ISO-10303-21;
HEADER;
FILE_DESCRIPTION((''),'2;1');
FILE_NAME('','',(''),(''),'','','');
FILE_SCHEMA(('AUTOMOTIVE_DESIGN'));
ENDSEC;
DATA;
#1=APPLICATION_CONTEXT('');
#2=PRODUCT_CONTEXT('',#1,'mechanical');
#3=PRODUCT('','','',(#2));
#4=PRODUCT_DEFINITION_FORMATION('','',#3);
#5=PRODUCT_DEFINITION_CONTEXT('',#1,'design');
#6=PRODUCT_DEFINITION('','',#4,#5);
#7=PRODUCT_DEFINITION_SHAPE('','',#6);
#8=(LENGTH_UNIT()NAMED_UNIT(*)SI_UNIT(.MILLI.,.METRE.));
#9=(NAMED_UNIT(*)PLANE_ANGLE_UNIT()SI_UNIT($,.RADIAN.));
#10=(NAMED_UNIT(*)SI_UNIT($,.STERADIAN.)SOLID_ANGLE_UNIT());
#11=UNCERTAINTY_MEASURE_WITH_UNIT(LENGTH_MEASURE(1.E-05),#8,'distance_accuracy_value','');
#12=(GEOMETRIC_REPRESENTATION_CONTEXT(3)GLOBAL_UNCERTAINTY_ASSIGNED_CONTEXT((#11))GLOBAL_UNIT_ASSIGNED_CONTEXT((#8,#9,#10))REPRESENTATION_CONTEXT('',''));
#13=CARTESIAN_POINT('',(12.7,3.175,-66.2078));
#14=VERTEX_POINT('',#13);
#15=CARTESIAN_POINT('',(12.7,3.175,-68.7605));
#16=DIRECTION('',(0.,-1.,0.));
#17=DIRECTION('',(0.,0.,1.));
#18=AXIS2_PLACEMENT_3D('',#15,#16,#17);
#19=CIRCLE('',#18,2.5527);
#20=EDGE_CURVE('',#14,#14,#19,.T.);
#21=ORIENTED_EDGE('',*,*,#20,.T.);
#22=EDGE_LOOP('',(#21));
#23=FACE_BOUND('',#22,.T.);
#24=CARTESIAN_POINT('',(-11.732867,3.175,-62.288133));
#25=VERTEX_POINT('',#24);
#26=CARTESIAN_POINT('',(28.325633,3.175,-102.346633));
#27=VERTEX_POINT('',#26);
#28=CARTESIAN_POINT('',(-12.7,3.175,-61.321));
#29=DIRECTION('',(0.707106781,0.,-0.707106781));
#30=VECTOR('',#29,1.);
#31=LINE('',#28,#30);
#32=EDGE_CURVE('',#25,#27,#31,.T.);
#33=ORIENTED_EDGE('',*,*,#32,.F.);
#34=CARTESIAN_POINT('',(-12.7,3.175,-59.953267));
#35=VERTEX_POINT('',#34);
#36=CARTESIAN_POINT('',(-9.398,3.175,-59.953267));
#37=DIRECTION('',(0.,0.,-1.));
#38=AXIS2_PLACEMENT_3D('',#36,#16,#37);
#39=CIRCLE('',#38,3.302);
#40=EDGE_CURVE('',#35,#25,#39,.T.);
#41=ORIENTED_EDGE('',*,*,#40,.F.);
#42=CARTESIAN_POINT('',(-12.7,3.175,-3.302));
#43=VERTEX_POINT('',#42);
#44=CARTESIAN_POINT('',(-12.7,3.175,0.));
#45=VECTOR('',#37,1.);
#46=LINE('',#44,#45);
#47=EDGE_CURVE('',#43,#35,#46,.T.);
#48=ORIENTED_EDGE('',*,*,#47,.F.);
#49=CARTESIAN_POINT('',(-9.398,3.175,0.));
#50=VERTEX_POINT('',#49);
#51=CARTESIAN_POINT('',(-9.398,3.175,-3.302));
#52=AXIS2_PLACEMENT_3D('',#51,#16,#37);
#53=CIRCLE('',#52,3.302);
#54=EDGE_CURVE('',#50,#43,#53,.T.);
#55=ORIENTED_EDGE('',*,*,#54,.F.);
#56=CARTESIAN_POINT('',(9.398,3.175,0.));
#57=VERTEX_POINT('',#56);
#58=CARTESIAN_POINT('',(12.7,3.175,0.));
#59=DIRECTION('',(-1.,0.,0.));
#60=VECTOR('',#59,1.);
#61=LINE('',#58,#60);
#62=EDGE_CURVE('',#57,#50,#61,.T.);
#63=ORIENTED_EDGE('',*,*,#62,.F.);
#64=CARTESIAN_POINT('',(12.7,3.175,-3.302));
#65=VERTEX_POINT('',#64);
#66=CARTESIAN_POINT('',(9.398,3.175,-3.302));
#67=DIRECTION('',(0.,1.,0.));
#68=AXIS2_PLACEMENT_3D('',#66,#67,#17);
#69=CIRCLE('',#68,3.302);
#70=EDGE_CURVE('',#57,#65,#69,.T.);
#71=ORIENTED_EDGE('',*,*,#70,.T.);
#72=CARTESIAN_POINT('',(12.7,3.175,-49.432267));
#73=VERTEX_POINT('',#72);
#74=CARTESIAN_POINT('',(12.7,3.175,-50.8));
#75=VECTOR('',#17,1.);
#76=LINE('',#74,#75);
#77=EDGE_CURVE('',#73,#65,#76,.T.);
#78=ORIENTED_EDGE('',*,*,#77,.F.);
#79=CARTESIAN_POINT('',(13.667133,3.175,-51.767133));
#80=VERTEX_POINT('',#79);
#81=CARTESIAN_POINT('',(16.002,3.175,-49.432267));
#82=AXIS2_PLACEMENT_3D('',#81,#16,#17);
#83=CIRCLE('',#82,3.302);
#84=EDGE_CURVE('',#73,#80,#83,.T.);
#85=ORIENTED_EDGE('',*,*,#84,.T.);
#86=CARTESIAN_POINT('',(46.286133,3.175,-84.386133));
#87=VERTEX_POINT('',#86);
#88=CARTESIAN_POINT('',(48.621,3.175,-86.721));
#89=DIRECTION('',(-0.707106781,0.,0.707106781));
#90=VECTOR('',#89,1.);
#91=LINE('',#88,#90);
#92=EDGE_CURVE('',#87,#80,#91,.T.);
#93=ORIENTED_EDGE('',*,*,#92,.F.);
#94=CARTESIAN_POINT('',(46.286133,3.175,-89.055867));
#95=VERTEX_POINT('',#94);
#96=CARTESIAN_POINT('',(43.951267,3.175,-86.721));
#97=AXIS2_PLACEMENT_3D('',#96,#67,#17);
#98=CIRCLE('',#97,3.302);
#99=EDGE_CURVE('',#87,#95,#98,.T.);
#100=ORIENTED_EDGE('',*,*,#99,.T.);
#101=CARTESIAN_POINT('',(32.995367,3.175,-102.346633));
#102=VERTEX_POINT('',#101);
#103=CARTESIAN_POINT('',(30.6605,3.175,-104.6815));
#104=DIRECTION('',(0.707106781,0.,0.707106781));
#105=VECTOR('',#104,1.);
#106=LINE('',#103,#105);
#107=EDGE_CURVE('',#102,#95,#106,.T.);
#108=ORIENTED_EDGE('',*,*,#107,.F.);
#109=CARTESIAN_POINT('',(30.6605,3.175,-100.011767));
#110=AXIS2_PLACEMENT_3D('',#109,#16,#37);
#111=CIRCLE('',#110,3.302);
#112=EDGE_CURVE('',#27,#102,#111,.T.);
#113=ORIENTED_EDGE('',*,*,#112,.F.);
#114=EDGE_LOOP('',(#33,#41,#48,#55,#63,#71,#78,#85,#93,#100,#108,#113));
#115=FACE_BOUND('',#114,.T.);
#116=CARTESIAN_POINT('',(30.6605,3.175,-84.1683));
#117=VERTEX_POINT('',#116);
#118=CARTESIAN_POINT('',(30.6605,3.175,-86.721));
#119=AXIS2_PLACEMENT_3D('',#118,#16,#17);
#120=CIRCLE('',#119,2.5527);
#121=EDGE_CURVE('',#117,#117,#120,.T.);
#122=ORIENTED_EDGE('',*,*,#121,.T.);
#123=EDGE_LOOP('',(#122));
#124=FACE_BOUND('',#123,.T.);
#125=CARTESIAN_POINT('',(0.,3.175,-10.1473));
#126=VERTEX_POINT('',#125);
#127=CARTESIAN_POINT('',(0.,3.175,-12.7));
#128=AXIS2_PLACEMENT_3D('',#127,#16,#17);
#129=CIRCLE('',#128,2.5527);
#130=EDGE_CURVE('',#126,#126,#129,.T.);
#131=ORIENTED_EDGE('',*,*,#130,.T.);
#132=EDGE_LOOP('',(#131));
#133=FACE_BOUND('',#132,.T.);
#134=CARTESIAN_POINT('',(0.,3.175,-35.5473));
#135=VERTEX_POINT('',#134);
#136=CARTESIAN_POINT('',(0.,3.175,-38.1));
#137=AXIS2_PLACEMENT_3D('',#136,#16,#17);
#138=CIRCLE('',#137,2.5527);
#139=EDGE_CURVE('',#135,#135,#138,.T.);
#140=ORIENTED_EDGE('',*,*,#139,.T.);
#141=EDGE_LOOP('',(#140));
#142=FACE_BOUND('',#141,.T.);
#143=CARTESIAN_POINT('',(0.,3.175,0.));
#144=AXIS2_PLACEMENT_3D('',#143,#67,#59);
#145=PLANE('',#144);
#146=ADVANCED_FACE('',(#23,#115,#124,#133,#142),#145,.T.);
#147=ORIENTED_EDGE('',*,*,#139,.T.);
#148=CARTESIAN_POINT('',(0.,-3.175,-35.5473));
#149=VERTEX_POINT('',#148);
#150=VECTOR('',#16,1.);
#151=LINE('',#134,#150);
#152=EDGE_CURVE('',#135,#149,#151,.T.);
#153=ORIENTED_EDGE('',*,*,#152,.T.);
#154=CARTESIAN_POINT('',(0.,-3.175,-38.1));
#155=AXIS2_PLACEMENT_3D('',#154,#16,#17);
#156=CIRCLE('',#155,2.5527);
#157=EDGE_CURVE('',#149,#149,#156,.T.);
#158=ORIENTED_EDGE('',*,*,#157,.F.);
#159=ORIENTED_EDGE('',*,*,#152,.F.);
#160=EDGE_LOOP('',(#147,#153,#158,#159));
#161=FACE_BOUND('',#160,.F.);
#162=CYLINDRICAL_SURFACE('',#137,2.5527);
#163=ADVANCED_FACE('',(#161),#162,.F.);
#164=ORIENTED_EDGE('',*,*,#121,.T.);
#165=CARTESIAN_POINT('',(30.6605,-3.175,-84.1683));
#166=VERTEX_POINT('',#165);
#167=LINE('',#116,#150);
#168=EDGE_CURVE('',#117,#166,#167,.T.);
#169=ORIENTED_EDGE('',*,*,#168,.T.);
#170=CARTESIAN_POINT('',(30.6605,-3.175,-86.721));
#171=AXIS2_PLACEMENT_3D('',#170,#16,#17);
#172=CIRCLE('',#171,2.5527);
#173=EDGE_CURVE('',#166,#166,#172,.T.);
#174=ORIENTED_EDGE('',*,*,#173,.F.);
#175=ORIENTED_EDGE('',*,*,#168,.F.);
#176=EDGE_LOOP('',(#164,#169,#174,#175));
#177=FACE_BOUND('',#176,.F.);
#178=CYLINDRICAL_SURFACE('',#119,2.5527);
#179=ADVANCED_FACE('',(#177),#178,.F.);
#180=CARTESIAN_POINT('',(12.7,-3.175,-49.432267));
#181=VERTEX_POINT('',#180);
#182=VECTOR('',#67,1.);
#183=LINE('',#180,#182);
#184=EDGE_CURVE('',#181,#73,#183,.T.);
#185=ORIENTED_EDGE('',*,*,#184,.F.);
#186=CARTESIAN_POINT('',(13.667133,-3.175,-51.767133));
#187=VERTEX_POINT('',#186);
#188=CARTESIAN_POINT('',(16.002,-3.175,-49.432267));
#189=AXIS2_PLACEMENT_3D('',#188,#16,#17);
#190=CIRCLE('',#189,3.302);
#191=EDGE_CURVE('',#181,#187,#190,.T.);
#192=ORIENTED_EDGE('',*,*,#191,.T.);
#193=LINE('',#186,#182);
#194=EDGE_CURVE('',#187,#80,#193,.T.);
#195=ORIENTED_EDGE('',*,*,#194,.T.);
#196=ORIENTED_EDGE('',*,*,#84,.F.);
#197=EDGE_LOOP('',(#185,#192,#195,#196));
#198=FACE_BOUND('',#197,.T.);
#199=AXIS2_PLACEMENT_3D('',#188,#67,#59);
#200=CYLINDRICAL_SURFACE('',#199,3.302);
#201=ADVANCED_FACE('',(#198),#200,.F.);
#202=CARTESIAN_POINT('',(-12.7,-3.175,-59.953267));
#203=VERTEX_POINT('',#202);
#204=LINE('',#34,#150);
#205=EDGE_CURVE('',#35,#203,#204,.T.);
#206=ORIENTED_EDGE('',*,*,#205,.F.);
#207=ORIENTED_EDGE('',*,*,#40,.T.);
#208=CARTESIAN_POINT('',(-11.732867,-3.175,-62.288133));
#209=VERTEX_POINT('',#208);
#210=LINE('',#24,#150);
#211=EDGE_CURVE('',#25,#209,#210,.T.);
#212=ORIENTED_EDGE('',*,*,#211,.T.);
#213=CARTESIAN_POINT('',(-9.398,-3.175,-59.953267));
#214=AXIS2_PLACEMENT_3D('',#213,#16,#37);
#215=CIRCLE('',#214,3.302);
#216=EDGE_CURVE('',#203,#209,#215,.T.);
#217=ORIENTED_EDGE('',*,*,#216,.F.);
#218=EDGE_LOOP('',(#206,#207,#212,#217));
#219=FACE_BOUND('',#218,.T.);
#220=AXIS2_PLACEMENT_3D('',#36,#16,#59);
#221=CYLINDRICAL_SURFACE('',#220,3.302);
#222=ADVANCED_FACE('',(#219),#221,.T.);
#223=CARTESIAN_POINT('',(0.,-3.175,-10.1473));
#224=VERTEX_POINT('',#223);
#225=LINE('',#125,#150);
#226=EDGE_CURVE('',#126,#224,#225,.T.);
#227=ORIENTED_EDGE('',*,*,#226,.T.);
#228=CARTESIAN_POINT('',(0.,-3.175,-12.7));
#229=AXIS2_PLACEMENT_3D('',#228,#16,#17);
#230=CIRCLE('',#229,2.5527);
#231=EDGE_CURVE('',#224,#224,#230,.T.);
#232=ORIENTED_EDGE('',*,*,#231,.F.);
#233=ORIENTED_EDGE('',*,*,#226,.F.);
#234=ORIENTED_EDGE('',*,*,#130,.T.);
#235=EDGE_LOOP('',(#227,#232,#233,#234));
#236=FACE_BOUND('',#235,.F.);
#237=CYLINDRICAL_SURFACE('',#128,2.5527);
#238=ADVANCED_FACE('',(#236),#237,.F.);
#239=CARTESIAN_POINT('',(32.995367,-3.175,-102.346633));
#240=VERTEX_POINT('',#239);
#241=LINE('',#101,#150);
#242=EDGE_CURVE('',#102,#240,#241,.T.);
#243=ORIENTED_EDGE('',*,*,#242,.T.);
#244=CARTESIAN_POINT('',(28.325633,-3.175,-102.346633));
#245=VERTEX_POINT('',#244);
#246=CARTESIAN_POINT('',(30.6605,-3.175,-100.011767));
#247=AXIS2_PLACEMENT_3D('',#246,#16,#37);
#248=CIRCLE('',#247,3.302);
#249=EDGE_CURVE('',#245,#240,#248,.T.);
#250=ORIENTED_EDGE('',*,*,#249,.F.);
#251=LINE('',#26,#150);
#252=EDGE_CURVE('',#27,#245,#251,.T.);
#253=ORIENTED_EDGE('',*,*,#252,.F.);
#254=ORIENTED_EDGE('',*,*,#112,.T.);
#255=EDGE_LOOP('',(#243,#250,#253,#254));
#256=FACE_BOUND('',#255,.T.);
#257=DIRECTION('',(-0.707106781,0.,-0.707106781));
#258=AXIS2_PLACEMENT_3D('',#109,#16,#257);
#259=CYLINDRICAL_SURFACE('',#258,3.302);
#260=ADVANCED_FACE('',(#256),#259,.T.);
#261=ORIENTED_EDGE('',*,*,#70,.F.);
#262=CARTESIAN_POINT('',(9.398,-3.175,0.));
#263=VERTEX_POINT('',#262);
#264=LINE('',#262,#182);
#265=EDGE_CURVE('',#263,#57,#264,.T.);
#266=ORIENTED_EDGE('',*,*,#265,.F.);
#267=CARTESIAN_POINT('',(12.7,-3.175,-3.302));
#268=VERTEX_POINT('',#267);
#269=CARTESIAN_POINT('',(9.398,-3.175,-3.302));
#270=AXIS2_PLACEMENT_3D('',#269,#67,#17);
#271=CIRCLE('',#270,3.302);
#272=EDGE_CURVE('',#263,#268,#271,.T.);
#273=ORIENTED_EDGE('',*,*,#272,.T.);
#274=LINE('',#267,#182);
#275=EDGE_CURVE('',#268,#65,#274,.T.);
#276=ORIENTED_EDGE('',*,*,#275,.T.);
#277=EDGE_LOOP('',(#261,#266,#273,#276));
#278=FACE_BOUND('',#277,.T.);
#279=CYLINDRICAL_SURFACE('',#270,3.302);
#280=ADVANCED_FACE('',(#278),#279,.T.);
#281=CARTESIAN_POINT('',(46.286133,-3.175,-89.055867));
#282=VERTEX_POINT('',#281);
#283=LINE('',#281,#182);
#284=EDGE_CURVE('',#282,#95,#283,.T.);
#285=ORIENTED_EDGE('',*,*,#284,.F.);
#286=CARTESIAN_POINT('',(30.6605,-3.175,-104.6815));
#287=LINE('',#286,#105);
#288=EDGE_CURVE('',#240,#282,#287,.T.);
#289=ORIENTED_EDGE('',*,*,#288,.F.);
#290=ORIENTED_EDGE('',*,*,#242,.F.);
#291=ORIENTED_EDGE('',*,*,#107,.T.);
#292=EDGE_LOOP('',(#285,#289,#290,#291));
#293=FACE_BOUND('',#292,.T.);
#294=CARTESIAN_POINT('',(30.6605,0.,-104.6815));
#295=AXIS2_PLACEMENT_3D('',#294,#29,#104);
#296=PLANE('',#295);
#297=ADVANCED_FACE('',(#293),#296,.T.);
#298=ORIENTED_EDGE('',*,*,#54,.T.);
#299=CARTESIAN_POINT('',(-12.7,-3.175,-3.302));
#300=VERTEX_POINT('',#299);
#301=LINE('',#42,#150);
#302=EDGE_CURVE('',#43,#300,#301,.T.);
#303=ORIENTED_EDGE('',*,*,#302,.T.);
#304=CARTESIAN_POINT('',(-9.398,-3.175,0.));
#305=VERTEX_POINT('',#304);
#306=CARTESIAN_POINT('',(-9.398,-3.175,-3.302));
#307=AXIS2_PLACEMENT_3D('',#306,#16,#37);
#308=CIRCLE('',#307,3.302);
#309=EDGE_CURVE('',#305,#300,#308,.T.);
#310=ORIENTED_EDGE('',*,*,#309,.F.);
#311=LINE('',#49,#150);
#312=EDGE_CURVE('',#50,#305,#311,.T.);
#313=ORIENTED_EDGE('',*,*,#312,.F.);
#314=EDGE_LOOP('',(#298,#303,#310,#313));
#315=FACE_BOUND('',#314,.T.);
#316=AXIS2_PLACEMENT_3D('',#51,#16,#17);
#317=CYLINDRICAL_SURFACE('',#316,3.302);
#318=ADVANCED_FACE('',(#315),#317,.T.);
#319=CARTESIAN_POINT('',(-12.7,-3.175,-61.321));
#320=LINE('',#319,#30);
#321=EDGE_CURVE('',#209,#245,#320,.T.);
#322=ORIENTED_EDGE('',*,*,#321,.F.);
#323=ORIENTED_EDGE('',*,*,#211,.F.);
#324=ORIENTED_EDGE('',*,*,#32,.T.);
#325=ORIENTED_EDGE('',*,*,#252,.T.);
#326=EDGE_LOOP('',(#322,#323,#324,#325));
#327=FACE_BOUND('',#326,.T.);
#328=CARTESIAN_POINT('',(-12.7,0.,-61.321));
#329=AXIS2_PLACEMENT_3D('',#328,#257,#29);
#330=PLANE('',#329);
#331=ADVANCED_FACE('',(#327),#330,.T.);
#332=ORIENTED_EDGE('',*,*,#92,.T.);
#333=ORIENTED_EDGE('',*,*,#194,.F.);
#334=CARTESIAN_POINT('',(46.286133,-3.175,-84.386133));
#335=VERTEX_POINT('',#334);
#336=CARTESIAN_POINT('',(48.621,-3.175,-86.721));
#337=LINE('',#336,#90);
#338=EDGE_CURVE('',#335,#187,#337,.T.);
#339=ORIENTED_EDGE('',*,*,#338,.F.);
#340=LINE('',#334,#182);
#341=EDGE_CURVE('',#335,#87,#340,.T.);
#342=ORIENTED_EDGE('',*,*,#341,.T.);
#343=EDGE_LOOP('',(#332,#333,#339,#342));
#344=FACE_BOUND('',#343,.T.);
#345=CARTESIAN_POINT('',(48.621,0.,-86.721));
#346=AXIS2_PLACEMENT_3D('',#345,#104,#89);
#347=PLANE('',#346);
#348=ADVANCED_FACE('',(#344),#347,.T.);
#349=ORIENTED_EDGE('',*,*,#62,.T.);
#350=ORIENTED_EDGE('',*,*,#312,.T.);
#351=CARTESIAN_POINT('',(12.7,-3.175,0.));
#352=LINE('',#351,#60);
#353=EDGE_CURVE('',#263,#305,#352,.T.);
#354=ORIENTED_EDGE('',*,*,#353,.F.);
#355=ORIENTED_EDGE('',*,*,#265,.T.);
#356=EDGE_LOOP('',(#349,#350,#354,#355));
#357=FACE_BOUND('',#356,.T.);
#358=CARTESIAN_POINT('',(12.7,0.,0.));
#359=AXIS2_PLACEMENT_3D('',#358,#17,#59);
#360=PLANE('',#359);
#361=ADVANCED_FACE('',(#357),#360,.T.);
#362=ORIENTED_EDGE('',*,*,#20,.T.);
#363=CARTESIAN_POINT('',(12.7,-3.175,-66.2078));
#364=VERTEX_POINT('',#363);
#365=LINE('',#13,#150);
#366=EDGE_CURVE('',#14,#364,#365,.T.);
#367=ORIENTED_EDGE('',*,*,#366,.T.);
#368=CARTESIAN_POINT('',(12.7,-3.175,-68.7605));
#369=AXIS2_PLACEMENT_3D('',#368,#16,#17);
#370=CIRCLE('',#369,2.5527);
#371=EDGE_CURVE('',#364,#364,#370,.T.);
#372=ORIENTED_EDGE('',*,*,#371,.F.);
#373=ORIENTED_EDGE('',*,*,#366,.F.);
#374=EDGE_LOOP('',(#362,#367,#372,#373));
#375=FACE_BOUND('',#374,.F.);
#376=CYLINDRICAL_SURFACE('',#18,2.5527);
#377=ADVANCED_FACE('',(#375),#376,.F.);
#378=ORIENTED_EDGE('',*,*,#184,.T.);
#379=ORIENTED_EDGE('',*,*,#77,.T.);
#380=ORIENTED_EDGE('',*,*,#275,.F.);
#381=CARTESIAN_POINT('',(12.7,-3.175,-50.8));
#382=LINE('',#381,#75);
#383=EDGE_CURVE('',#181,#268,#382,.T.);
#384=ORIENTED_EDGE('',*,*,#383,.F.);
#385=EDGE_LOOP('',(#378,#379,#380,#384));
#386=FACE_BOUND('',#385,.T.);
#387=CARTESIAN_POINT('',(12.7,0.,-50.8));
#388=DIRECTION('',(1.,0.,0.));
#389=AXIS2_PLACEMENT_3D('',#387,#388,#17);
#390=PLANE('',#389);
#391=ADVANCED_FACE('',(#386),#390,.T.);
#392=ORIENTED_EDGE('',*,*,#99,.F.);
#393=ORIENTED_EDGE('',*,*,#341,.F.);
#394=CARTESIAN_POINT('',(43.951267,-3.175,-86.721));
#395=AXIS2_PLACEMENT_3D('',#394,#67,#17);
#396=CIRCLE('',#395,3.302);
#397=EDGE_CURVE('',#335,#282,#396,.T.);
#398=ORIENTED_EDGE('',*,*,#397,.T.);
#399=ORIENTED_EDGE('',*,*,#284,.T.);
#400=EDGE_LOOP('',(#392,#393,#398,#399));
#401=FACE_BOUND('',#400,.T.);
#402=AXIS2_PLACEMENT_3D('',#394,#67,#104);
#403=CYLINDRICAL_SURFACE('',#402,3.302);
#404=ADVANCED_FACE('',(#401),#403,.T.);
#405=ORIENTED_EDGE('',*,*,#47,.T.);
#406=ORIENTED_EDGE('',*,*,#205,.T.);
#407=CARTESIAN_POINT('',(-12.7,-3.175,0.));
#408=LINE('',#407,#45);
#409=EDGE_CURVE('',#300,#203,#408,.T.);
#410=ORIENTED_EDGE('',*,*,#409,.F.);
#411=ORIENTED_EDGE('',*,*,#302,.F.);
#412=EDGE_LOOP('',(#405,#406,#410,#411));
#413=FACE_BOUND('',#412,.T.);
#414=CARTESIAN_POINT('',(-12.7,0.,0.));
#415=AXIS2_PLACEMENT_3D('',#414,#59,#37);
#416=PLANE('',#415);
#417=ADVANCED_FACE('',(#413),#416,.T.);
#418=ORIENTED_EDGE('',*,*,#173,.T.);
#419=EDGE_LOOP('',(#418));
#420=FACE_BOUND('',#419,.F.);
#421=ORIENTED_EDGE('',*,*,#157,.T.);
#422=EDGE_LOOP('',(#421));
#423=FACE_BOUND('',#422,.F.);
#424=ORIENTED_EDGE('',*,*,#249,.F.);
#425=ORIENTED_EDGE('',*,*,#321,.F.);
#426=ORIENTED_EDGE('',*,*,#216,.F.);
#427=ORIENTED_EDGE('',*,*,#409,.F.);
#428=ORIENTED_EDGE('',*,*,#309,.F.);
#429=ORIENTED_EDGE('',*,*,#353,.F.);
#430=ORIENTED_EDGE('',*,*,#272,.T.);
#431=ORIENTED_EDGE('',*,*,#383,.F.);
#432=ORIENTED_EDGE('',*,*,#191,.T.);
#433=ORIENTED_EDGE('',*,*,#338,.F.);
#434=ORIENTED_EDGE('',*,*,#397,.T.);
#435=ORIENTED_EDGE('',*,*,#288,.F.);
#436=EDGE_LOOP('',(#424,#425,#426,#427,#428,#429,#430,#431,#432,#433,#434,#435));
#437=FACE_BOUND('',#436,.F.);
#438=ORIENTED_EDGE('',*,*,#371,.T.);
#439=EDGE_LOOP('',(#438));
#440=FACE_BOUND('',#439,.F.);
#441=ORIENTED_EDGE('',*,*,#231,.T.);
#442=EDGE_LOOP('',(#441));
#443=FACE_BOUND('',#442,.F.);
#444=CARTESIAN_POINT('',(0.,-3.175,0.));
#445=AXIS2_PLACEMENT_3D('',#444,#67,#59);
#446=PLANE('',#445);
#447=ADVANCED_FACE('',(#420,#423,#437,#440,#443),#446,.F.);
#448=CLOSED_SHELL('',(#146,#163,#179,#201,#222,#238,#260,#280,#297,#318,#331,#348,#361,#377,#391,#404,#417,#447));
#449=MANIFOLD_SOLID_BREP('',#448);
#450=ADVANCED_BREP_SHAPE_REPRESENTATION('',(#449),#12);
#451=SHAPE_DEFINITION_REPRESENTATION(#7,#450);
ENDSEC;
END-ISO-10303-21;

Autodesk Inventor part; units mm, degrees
ref_plane "YZ Plane" through (0, 0, 0) normal (1, 0, 0) x (0, 1, 0)
ref_plane "XZ Plane" through (0, 0, 0) normal (0, 1, 0) x (-1, 0, 0)
ref_plane "XY Plane" through (0, 0, 0) normal (0, 0, 1) x (1, 0, 0)
sketch "Sketch1" plane through (0, 0, 0) normal (0, 1, 0) x (-1, 0, 0)
  line L0 (-12.7, 0) -> (12.7, 0)
  line L1 (12.7, 0) -> (12.7, -61.321)
  line L2 (12.7, -61.321) -> (-30.6605, -104.6815)
  line L3 (-30.6605, -104.6815) -> (-48.621, -86.721)
  line L4 (-48.621, -86.721) -> (-12.7, -50.8)
  line L5 (-12.7, -50.8) -> (-12.7, 0)
  point P0 (0, 0)
  point P1 (0, 0)
  dimension "d0" = 25.4
  dimension "d2" = 25.4
  dimension "d4" = 135
  dimension "d8" = 50.8
  dimension "d9" = 50.8
extrude "Extrusion1" add sketch "Sketch1" along normal mid plane 6.35
sketch "Sketch2" plane through (0, 3.175, 0) normal (0, 1, 0) x (1, 0, 0)
  line L0 (12.7, 50.8) -> (12.7, 0) construction
  line L1 (12.7, 0) -> (-12.7, 0) construction
  line L2 (-12.7, 0) -> (-12.7, 61.321) construction
  line L3 (-12.7, 61.321) -> (30.6605, 104.6815) construction
  line L4 (30.6605, 104.6815) -> (48.621, 86.721) construction
  line L5 (48.621, 86.721) -> (12.7, 50.8) construction
  line L6 (48.621, 86.721) -> (30.6605, 104.6815) construction
  line L7 (39.6408, 95.7013) -> (0, 56.0605) construction
  line L8 (0, 56.0605) -> (0, 0) construction
  line L9 (-12.7, 0) -> (12.7, 0) construction
  point P0 (0, 0)
  point P1 (0, 12.7)
  point P2 (0, 38.1)
  point P3 (30.6605, 86.721)
  point P4 (12.7, 68.7605)
  dimension "d12" = 25.4
  dimension "d13" = 12.7
  dimension "d14" = 25.4
  dimension "d15" = 12.7
hole "Hole1" at (0, 3.175, -12.7) at (0, 3.175, -38.1) at (30.6605, 3.175, -86.721) at (12.7, 3.175, -68.7605) direction (0, -1, 0) diameter 5.1054 end through all clearance for "Flat Head Machine Screw (82)" size "#10" standard "Ansi Unified Screw Threads"
fillet "Fillet1" radius 3.302 6 edges at (12.7, 0, -50.8) (-12.7, 0, -61.321) (48.621, 0, -86.721) (30.6605, 0, -104.6815) (12.7, 0, 0) (-12.7, 0, 0)
equation "\"d2\" = d0"
equation "\"d14\" = d12"
equation "\"d15\" = d13"
properties part number "CL3-009" material "Aluminum 6061"
